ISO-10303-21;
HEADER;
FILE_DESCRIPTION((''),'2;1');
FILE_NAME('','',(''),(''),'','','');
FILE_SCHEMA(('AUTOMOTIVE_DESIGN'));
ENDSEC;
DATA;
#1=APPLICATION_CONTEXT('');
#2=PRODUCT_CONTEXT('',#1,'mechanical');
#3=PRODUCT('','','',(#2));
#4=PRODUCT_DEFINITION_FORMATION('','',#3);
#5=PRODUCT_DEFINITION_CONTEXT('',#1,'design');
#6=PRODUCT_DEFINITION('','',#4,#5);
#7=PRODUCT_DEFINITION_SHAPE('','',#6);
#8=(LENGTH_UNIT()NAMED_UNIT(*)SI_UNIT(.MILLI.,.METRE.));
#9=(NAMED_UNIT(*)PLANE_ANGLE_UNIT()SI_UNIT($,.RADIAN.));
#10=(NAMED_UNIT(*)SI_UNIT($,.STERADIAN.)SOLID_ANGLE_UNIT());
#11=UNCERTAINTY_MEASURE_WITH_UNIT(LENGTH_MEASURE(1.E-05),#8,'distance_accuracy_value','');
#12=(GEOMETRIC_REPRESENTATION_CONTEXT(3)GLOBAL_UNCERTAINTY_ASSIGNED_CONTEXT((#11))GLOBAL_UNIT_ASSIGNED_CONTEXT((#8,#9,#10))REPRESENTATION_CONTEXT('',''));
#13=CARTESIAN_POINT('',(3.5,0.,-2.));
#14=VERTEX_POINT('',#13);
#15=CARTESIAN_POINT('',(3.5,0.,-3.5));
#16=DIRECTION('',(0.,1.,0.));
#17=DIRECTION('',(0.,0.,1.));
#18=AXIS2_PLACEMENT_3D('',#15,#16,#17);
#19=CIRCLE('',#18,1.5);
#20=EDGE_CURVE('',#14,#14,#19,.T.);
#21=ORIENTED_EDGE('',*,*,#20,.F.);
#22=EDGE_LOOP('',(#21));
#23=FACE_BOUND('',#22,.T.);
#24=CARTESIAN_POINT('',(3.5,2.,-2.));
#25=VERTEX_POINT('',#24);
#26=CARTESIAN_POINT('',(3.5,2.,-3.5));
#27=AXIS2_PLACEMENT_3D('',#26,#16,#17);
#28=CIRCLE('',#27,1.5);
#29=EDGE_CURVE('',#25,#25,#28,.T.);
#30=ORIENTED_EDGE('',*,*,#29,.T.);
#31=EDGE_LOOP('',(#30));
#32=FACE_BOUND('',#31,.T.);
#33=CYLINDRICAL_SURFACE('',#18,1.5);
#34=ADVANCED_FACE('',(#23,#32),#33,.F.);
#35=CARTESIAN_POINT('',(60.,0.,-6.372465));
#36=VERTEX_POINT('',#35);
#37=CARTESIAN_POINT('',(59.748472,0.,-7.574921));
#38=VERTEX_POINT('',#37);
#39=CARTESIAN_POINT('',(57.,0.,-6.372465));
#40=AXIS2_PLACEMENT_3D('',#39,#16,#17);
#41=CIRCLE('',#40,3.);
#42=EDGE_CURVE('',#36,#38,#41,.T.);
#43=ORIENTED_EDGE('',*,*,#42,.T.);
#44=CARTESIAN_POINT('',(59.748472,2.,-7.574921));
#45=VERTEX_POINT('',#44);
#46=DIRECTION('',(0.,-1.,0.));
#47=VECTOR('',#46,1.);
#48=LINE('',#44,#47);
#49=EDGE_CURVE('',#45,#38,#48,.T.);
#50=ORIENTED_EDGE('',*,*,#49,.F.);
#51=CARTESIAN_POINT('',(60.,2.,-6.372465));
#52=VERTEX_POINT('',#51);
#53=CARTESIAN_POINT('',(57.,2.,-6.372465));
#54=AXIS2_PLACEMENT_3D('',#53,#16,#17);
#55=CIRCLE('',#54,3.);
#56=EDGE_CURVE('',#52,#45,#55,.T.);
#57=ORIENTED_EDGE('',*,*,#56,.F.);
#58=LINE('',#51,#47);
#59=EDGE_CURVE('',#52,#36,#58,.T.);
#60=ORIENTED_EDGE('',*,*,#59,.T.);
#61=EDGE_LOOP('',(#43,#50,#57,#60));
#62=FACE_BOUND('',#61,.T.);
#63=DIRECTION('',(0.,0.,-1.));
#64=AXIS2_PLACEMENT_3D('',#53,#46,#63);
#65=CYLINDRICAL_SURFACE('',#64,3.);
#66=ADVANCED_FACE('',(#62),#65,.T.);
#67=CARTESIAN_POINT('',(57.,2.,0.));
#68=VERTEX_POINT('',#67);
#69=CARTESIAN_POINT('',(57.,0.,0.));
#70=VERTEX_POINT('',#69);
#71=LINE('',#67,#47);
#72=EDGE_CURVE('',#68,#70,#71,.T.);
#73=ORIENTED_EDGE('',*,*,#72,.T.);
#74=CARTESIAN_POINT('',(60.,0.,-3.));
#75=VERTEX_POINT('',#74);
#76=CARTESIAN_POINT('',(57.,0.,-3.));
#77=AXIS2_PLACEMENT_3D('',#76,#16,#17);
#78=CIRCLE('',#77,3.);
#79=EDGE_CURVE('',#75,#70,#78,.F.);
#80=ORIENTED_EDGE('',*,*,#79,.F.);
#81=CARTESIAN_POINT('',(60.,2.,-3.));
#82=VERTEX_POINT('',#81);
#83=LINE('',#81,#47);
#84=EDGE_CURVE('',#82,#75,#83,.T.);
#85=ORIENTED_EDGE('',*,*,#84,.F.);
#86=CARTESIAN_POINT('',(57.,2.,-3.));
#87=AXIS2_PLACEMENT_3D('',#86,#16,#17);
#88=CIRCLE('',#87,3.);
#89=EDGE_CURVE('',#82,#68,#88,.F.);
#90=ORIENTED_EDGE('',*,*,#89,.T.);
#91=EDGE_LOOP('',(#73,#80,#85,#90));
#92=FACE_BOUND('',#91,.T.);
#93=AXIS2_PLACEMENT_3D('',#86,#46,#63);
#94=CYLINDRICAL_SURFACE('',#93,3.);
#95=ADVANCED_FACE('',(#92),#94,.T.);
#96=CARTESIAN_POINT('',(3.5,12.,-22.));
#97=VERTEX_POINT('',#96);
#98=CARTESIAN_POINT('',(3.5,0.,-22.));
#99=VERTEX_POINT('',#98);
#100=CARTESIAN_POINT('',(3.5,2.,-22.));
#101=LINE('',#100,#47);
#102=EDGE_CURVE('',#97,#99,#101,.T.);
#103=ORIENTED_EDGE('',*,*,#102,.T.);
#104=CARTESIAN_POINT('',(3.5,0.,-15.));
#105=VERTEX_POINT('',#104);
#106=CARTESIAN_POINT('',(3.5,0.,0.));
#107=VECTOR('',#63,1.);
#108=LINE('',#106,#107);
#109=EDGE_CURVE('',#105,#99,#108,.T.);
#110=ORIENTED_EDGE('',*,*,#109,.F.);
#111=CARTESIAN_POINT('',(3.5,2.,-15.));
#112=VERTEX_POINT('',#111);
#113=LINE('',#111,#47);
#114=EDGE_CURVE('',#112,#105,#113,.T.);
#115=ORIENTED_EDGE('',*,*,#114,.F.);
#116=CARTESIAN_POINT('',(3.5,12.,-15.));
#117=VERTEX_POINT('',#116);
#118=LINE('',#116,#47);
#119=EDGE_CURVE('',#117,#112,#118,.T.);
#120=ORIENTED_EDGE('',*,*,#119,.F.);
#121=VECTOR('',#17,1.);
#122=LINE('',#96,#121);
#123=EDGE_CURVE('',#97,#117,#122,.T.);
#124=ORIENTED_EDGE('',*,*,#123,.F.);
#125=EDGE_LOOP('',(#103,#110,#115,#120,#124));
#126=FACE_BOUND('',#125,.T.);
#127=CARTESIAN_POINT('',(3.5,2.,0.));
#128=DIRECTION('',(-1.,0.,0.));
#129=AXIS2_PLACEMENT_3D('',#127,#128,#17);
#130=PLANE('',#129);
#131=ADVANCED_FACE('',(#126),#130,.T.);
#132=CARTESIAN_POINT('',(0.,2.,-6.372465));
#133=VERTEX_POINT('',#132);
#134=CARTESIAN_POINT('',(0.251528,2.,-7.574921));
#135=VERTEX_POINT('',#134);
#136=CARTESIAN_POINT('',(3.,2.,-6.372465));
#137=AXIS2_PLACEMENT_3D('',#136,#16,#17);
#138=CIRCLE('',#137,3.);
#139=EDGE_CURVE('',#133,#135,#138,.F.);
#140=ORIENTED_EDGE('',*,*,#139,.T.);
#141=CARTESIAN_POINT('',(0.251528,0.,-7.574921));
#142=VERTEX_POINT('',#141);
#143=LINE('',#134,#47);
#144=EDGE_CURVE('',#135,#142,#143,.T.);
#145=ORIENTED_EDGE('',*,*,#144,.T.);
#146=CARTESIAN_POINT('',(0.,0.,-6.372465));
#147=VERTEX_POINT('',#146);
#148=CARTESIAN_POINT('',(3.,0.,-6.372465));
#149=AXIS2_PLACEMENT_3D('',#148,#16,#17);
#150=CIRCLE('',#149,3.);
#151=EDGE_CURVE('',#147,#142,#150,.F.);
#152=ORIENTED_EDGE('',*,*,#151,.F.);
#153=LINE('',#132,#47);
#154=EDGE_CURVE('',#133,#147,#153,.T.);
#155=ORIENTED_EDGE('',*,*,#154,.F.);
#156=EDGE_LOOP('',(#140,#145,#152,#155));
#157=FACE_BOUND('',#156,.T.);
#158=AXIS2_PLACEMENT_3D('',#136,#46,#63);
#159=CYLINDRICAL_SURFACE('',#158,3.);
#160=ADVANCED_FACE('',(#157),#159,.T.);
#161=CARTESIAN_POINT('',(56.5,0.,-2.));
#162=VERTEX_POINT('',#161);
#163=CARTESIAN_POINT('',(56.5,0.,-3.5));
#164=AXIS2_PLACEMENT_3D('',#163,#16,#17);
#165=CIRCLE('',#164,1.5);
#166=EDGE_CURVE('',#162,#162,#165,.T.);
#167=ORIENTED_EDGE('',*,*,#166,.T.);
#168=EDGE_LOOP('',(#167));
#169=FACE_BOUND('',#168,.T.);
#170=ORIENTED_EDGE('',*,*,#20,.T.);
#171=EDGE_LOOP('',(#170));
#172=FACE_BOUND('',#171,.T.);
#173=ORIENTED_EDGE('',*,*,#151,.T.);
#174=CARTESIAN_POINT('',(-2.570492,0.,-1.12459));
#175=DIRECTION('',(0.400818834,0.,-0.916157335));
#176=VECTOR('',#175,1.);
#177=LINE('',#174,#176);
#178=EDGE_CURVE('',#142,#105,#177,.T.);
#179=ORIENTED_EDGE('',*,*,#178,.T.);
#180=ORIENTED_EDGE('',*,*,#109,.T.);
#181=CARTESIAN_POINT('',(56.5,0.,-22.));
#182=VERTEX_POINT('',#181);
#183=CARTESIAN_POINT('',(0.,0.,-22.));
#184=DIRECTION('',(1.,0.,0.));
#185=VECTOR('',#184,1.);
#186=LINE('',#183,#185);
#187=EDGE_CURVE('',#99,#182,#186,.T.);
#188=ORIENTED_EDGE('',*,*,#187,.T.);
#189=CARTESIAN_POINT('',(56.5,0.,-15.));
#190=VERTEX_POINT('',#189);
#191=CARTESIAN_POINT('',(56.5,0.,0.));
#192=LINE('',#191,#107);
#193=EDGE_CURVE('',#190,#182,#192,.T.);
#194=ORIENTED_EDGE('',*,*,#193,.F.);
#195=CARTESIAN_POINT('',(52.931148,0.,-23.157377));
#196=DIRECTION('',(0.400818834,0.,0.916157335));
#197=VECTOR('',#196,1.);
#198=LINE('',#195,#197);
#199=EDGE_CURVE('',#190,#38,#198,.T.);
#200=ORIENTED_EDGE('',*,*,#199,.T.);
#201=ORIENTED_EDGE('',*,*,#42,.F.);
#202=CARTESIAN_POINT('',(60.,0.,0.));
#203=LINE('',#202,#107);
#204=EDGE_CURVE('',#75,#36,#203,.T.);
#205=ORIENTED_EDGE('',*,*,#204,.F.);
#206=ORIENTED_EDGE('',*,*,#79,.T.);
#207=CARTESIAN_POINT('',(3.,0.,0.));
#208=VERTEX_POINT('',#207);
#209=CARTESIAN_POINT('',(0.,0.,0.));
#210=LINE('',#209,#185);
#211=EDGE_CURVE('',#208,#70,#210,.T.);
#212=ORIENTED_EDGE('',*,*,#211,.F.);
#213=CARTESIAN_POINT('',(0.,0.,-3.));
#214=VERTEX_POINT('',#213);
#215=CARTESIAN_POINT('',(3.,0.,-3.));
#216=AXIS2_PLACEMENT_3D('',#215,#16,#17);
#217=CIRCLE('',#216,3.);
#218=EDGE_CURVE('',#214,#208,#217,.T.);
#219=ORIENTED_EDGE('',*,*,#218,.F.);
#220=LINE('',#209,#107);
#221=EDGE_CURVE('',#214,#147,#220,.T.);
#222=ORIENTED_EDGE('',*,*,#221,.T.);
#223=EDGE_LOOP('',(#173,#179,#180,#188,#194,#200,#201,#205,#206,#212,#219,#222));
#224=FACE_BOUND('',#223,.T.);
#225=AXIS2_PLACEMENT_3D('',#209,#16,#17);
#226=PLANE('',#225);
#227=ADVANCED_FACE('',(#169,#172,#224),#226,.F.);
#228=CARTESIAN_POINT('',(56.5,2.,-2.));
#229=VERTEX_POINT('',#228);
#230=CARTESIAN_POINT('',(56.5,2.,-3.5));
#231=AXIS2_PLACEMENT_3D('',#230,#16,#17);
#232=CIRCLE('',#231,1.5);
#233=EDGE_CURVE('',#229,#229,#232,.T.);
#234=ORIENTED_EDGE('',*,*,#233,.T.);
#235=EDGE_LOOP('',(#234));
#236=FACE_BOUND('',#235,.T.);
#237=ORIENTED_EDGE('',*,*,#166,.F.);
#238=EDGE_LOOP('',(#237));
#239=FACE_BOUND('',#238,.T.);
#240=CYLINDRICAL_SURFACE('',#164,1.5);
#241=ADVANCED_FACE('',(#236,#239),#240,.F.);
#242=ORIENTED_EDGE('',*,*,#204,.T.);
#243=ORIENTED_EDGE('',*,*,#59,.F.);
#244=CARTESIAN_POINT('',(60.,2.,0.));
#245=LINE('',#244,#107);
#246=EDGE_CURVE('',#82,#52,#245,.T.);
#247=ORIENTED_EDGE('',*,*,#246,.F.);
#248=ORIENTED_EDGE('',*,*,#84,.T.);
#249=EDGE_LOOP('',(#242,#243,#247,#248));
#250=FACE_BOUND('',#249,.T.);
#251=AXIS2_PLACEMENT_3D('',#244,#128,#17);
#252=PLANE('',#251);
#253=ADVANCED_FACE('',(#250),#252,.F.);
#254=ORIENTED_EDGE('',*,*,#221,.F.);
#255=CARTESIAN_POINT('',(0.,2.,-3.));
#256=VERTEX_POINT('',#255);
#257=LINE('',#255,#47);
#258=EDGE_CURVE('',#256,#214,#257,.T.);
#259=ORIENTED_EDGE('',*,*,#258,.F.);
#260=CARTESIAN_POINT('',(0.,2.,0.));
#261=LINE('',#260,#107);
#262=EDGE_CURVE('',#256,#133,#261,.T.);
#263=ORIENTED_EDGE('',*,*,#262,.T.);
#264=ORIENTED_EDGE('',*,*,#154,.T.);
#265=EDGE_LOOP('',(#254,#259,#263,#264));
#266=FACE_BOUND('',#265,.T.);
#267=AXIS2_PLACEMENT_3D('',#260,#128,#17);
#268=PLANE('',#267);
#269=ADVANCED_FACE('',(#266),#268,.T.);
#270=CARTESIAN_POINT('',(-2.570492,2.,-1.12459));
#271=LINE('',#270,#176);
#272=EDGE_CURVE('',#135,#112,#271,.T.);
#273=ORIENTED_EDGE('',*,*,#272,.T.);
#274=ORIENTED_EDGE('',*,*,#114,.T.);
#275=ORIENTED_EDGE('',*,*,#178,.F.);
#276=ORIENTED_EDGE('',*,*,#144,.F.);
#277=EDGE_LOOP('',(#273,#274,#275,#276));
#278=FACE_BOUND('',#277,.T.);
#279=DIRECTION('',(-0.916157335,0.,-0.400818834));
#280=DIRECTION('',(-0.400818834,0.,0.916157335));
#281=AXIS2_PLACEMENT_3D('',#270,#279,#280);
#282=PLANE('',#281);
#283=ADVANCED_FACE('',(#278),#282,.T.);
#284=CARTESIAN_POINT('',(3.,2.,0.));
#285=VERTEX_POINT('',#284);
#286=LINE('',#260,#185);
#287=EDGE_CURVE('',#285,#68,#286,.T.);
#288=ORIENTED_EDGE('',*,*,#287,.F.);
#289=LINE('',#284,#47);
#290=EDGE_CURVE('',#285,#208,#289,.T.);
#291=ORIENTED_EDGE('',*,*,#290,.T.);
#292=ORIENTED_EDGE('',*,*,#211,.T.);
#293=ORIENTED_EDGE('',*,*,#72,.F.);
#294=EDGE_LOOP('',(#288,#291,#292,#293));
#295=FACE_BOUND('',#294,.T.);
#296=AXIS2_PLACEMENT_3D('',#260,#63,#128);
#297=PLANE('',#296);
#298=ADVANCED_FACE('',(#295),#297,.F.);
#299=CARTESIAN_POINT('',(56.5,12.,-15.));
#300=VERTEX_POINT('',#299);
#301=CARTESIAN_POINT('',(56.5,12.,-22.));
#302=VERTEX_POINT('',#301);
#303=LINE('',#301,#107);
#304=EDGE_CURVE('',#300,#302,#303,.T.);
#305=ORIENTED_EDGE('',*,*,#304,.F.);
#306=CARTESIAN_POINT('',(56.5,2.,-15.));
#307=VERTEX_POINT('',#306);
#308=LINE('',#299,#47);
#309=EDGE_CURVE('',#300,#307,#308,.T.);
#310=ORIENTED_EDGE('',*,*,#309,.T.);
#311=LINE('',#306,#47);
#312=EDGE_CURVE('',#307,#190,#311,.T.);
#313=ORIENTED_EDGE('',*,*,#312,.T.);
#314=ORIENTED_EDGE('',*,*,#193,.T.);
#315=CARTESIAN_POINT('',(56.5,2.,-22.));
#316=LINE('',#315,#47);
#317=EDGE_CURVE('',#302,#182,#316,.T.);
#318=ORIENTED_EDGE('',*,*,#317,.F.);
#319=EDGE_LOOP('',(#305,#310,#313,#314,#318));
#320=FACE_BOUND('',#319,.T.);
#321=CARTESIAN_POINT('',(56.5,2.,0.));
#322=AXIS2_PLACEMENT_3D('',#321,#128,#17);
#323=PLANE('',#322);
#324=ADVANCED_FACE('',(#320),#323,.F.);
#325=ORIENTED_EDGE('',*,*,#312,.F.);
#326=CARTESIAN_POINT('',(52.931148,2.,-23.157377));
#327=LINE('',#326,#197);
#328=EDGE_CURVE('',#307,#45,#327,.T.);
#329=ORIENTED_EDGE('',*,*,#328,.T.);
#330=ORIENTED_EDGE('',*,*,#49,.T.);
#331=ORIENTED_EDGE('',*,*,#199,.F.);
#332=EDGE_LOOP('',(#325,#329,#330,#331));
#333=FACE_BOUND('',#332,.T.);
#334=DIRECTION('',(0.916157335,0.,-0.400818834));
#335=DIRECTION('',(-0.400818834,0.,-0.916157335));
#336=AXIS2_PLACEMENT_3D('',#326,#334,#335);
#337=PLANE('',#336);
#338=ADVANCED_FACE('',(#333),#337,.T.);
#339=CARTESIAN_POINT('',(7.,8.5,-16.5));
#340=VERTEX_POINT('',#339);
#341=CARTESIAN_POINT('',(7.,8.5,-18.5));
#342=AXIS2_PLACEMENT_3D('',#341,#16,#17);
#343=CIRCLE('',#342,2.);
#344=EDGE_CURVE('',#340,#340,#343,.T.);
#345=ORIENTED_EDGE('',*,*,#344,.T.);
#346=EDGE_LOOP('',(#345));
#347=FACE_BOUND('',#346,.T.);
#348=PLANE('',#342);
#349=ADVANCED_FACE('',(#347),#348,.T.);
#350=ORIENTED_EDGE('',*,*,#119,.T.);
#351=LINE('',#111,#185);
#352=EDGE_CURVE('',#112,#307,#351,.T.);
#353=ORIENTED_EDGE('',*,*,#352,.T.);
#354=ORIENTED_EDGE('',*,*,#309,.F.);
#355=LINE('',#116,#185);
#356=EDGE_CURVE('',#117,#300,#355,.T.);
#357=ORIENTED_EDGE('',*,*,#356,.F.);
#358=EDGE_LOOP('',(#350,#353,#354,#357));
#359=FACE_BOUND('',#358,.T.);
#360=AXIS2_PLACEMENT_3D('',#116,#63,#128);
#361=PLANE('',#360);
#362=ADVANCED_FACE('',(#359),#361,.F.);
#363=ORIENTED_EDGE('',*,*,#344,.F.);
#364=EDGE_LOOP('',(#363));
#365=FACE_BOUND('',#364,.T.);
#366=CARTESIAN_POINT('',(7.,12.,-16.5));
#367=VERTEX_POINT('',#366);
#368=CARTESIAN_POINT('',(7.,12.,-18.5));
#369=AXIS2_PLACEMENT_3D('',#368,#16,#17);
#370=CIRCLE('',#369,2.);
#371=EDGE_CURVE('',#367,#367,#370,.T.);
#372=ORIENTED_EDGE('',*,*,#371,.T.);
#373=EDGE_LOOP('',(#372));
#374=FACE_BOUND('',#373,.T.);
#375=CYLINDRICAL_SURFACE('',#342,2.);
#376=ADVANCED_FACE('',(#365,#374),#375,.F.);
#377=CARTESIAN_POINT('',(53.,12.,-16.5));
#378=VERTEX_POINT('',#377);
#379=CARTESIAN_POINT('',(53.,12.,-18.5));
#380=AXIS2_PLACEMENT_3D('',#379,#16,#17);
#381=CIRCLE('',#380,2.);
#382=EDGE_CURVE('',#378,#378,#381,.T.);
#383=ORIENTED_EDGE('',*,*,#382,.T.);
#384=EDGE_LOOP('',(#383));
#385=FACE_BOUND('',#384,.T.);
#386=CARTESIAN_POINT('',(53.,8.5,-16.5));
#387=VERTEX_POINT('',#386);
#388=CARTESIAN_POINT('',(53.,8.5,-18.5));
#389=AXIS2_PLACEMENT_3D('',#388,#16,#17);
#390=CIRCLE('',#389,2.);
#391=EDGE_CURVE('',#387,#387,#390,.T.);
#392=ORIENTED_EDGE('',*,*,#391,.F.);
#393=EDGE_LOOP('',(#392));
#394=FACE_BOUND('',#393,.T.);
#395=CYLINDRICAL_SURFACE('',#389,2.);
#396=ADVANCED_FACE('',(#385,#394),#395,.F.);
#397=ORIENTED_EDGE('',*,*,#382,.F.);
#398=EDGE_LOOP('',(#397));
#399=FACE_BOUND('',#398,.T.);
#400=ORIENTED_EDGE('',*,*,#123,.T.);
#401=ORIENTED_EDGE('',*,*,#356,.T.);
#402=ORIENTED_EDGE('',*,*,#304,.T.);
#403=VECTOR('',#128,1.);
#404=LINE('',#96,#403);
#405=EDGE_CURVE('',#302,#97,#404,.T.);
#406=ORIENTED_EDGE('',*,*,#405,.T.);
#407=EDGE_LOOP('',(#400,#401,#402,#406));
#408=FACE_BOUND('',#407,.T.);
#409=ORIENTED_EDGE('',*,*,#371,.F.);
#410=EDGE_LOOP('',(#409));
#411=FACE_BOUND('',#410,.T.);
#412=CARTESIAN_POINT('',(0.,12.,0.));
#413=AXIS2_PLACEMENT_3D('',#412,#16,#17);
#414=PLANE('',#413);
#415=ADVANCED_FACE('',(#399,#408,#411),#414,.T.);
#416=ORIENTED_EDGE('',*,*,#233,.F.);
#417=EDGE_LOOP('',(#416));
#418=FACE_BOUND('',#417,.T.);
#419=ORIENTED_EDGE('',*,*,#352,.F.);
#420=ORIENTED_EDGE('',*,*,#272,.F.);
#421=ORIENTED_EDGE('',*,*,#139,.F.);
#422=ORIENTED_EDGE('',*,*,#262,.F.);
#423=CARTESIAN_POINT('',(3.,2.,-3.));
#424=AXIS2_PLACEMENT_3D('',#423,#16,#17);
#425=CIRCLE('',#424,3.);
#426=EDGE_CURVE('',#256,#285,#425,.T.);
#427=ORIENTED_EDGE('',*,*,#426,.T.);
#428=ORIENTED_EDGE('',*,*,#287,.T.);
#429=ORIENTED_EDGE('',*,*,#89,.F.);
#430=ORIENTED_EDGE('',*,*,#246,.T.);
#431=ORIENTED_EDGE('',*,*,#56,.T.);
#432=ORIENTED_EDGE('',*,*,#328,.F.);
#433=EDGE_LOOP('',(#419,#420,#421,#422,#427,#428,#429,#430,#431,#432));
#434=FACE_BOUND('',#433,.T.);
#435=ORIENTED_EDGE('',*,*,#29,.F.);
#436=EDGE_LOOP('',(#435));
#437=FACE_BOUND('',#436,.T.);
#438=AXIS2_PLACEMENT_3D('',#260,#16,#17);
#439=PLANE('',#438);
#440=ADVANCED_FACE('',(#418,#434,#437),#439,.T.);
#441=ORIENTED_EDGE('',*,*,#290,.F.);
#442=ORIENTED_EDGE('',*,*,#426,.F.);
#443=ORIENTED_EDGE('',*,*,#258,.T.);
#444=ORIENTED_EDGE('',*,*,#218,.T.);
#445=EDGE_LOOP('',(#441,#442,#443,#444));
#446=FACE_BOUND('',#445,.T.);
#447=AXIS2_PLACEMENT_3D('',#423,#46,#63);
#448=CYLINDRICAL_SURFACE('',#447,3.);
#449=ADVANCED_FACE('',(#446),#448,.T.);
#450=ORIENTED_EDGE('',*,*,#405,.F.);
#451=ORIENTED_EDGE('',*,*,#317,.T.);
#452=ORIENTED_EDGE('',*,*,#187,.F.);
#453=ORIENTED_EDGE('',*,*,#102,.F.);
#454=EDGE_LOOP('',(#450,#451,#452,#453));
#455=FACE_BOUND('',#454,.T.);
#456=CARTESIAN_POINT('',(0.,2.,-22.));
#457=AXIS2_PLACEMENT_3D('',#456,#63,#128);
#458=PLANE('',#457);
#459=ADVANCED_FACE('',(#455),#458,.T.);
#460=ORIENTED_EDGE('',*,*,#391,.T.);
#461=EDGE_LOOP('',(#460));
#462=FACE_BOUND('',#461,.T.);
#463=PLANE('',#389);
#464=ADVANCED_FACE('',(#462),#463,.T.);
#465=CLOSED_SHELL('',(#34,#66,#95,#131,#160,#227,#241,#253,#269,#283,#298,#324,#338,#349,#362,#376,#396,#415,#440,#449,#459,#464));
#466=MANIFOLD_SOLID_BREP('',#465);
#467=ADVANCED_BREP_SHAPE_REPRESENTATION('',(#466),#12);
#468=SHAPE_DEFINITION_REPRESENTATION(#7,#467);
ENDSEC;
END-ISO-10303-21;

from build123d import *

# Parameters (mm, degrees)
SKETCH1_W           = 53
SKETCH1_H           = 7
BOSS_EXTRUDE1_DEPTH = 2
SKETCH2_R           = 1.5
CUT_EXTRUDE1_DEPTH  = 2
SKETCH3_W           = 53
SKETCH3_H           = 7
BOSS_EXTRUDE2_DEPTH = 10
SKETCH4_R           = 2
CUT_EXTRUDE2_DEPTH  = 3.5


with BuildPart() as part:
    # Sketch1 → Boss-Extrude1 (new body)
    with BuildSketch(Plane(origin=(0, 0, 0), x_dir=(1, 0, 0), z_dir=(0, 1, 0))):
        with BuildLine():
            Line((3.5, 15), (0.251527995, 7.574921132))
            ThreePointArc((0.251527995, 7.574921132), (0.144442027, 7.29213232), (0.066367549, 7))
            Line((0.066367549, 7), (59.933632451, 7))
            ThreePointArc((59.933632451, 7), (59.855557973, 7.29213232), (59.748472005, 7.574921132))
            Line((59.748472005, 7.574921132), (56.5, 15))
            Line((56.5, 15), (3.5, 15))
        make_face()
        with Locations((30, 18.5)):
            Rectangle(SKETCH1_W, SKETCH1_H)
        with BuildLine():
            Line((59.933632451, 7), (0.066367549, 7))
            ThreePointArc((0.066367549, 7), (0.016638024, 6.687982178), (0, 6.37246463))
            Line((0, 6.37246463), (0, 3))
            ThreePointArc((0, 3), (0.878679656, 0.878679656), (3, 0))
            Line((3, 0), (57, 0))
            ThreePointArc((57, 0), (59.121320344, 0.878679656), (60, 3))
            Line((60, 3), (60, 6.37246463))
            ThreePointArc((60, 6.37246463), (59.983361976, 6.687982178), (59.933632451, 7))
        make_face()
    extrude(amount=BOSS_EXTRUDE1_DEPTH)

    # Sketch2 → Cut-Extrude1 (cut)
    with BuildSketch(Plane(origin=(0, 2, 0), x_dir=(1, 0, 0), z_dir=(0, 1, 0))):
        with Locations(Location((3.5, 3.5, 0), (0, 0, 270))):
            Circle(SKETCH2_R)
        with Locations(Location((56.5, 3.5, 0), (0, 0, 270))):
            Circle(SKETCH2_R)
    extrude(amount=-CUT_EXTRUDE1_DEPTH, mode=Mode.SUBTRACT)

    # Sketch3 → Boss-Extrude2 (add)
    with BuildSketch(Plane(origin=(0, 2, 0), x_dir=(1, 0, 0), z_dir=(0, 1, 0))):
        with Locations((30, 18.5)):
            Rectangle(SKETCH3_W, SKETCH3_H)
    extrude(amount=BOSS_EXTRUDE2_DEPTH)

    # Sketch4 → Cut-Extrude2 (cut)
    with BuildSketch(Plane(origin=(0, 12, 0), x_dir=(1, 0, 0), z_dir=(0, 1, 0))):
        with Locations(Location((7, 18.5, 0), (0, 0, 270))):
            Circle(SKETCH4_R)
        with Locations(Location((53, 18.5, 0), (0, 0, 270))):
            Circle(SKETCH4_R)
    extrude(amount=-CUT_EXTRUDE2_DEPTH, mode=Mode.SUBTRACT)


solid = part.part
